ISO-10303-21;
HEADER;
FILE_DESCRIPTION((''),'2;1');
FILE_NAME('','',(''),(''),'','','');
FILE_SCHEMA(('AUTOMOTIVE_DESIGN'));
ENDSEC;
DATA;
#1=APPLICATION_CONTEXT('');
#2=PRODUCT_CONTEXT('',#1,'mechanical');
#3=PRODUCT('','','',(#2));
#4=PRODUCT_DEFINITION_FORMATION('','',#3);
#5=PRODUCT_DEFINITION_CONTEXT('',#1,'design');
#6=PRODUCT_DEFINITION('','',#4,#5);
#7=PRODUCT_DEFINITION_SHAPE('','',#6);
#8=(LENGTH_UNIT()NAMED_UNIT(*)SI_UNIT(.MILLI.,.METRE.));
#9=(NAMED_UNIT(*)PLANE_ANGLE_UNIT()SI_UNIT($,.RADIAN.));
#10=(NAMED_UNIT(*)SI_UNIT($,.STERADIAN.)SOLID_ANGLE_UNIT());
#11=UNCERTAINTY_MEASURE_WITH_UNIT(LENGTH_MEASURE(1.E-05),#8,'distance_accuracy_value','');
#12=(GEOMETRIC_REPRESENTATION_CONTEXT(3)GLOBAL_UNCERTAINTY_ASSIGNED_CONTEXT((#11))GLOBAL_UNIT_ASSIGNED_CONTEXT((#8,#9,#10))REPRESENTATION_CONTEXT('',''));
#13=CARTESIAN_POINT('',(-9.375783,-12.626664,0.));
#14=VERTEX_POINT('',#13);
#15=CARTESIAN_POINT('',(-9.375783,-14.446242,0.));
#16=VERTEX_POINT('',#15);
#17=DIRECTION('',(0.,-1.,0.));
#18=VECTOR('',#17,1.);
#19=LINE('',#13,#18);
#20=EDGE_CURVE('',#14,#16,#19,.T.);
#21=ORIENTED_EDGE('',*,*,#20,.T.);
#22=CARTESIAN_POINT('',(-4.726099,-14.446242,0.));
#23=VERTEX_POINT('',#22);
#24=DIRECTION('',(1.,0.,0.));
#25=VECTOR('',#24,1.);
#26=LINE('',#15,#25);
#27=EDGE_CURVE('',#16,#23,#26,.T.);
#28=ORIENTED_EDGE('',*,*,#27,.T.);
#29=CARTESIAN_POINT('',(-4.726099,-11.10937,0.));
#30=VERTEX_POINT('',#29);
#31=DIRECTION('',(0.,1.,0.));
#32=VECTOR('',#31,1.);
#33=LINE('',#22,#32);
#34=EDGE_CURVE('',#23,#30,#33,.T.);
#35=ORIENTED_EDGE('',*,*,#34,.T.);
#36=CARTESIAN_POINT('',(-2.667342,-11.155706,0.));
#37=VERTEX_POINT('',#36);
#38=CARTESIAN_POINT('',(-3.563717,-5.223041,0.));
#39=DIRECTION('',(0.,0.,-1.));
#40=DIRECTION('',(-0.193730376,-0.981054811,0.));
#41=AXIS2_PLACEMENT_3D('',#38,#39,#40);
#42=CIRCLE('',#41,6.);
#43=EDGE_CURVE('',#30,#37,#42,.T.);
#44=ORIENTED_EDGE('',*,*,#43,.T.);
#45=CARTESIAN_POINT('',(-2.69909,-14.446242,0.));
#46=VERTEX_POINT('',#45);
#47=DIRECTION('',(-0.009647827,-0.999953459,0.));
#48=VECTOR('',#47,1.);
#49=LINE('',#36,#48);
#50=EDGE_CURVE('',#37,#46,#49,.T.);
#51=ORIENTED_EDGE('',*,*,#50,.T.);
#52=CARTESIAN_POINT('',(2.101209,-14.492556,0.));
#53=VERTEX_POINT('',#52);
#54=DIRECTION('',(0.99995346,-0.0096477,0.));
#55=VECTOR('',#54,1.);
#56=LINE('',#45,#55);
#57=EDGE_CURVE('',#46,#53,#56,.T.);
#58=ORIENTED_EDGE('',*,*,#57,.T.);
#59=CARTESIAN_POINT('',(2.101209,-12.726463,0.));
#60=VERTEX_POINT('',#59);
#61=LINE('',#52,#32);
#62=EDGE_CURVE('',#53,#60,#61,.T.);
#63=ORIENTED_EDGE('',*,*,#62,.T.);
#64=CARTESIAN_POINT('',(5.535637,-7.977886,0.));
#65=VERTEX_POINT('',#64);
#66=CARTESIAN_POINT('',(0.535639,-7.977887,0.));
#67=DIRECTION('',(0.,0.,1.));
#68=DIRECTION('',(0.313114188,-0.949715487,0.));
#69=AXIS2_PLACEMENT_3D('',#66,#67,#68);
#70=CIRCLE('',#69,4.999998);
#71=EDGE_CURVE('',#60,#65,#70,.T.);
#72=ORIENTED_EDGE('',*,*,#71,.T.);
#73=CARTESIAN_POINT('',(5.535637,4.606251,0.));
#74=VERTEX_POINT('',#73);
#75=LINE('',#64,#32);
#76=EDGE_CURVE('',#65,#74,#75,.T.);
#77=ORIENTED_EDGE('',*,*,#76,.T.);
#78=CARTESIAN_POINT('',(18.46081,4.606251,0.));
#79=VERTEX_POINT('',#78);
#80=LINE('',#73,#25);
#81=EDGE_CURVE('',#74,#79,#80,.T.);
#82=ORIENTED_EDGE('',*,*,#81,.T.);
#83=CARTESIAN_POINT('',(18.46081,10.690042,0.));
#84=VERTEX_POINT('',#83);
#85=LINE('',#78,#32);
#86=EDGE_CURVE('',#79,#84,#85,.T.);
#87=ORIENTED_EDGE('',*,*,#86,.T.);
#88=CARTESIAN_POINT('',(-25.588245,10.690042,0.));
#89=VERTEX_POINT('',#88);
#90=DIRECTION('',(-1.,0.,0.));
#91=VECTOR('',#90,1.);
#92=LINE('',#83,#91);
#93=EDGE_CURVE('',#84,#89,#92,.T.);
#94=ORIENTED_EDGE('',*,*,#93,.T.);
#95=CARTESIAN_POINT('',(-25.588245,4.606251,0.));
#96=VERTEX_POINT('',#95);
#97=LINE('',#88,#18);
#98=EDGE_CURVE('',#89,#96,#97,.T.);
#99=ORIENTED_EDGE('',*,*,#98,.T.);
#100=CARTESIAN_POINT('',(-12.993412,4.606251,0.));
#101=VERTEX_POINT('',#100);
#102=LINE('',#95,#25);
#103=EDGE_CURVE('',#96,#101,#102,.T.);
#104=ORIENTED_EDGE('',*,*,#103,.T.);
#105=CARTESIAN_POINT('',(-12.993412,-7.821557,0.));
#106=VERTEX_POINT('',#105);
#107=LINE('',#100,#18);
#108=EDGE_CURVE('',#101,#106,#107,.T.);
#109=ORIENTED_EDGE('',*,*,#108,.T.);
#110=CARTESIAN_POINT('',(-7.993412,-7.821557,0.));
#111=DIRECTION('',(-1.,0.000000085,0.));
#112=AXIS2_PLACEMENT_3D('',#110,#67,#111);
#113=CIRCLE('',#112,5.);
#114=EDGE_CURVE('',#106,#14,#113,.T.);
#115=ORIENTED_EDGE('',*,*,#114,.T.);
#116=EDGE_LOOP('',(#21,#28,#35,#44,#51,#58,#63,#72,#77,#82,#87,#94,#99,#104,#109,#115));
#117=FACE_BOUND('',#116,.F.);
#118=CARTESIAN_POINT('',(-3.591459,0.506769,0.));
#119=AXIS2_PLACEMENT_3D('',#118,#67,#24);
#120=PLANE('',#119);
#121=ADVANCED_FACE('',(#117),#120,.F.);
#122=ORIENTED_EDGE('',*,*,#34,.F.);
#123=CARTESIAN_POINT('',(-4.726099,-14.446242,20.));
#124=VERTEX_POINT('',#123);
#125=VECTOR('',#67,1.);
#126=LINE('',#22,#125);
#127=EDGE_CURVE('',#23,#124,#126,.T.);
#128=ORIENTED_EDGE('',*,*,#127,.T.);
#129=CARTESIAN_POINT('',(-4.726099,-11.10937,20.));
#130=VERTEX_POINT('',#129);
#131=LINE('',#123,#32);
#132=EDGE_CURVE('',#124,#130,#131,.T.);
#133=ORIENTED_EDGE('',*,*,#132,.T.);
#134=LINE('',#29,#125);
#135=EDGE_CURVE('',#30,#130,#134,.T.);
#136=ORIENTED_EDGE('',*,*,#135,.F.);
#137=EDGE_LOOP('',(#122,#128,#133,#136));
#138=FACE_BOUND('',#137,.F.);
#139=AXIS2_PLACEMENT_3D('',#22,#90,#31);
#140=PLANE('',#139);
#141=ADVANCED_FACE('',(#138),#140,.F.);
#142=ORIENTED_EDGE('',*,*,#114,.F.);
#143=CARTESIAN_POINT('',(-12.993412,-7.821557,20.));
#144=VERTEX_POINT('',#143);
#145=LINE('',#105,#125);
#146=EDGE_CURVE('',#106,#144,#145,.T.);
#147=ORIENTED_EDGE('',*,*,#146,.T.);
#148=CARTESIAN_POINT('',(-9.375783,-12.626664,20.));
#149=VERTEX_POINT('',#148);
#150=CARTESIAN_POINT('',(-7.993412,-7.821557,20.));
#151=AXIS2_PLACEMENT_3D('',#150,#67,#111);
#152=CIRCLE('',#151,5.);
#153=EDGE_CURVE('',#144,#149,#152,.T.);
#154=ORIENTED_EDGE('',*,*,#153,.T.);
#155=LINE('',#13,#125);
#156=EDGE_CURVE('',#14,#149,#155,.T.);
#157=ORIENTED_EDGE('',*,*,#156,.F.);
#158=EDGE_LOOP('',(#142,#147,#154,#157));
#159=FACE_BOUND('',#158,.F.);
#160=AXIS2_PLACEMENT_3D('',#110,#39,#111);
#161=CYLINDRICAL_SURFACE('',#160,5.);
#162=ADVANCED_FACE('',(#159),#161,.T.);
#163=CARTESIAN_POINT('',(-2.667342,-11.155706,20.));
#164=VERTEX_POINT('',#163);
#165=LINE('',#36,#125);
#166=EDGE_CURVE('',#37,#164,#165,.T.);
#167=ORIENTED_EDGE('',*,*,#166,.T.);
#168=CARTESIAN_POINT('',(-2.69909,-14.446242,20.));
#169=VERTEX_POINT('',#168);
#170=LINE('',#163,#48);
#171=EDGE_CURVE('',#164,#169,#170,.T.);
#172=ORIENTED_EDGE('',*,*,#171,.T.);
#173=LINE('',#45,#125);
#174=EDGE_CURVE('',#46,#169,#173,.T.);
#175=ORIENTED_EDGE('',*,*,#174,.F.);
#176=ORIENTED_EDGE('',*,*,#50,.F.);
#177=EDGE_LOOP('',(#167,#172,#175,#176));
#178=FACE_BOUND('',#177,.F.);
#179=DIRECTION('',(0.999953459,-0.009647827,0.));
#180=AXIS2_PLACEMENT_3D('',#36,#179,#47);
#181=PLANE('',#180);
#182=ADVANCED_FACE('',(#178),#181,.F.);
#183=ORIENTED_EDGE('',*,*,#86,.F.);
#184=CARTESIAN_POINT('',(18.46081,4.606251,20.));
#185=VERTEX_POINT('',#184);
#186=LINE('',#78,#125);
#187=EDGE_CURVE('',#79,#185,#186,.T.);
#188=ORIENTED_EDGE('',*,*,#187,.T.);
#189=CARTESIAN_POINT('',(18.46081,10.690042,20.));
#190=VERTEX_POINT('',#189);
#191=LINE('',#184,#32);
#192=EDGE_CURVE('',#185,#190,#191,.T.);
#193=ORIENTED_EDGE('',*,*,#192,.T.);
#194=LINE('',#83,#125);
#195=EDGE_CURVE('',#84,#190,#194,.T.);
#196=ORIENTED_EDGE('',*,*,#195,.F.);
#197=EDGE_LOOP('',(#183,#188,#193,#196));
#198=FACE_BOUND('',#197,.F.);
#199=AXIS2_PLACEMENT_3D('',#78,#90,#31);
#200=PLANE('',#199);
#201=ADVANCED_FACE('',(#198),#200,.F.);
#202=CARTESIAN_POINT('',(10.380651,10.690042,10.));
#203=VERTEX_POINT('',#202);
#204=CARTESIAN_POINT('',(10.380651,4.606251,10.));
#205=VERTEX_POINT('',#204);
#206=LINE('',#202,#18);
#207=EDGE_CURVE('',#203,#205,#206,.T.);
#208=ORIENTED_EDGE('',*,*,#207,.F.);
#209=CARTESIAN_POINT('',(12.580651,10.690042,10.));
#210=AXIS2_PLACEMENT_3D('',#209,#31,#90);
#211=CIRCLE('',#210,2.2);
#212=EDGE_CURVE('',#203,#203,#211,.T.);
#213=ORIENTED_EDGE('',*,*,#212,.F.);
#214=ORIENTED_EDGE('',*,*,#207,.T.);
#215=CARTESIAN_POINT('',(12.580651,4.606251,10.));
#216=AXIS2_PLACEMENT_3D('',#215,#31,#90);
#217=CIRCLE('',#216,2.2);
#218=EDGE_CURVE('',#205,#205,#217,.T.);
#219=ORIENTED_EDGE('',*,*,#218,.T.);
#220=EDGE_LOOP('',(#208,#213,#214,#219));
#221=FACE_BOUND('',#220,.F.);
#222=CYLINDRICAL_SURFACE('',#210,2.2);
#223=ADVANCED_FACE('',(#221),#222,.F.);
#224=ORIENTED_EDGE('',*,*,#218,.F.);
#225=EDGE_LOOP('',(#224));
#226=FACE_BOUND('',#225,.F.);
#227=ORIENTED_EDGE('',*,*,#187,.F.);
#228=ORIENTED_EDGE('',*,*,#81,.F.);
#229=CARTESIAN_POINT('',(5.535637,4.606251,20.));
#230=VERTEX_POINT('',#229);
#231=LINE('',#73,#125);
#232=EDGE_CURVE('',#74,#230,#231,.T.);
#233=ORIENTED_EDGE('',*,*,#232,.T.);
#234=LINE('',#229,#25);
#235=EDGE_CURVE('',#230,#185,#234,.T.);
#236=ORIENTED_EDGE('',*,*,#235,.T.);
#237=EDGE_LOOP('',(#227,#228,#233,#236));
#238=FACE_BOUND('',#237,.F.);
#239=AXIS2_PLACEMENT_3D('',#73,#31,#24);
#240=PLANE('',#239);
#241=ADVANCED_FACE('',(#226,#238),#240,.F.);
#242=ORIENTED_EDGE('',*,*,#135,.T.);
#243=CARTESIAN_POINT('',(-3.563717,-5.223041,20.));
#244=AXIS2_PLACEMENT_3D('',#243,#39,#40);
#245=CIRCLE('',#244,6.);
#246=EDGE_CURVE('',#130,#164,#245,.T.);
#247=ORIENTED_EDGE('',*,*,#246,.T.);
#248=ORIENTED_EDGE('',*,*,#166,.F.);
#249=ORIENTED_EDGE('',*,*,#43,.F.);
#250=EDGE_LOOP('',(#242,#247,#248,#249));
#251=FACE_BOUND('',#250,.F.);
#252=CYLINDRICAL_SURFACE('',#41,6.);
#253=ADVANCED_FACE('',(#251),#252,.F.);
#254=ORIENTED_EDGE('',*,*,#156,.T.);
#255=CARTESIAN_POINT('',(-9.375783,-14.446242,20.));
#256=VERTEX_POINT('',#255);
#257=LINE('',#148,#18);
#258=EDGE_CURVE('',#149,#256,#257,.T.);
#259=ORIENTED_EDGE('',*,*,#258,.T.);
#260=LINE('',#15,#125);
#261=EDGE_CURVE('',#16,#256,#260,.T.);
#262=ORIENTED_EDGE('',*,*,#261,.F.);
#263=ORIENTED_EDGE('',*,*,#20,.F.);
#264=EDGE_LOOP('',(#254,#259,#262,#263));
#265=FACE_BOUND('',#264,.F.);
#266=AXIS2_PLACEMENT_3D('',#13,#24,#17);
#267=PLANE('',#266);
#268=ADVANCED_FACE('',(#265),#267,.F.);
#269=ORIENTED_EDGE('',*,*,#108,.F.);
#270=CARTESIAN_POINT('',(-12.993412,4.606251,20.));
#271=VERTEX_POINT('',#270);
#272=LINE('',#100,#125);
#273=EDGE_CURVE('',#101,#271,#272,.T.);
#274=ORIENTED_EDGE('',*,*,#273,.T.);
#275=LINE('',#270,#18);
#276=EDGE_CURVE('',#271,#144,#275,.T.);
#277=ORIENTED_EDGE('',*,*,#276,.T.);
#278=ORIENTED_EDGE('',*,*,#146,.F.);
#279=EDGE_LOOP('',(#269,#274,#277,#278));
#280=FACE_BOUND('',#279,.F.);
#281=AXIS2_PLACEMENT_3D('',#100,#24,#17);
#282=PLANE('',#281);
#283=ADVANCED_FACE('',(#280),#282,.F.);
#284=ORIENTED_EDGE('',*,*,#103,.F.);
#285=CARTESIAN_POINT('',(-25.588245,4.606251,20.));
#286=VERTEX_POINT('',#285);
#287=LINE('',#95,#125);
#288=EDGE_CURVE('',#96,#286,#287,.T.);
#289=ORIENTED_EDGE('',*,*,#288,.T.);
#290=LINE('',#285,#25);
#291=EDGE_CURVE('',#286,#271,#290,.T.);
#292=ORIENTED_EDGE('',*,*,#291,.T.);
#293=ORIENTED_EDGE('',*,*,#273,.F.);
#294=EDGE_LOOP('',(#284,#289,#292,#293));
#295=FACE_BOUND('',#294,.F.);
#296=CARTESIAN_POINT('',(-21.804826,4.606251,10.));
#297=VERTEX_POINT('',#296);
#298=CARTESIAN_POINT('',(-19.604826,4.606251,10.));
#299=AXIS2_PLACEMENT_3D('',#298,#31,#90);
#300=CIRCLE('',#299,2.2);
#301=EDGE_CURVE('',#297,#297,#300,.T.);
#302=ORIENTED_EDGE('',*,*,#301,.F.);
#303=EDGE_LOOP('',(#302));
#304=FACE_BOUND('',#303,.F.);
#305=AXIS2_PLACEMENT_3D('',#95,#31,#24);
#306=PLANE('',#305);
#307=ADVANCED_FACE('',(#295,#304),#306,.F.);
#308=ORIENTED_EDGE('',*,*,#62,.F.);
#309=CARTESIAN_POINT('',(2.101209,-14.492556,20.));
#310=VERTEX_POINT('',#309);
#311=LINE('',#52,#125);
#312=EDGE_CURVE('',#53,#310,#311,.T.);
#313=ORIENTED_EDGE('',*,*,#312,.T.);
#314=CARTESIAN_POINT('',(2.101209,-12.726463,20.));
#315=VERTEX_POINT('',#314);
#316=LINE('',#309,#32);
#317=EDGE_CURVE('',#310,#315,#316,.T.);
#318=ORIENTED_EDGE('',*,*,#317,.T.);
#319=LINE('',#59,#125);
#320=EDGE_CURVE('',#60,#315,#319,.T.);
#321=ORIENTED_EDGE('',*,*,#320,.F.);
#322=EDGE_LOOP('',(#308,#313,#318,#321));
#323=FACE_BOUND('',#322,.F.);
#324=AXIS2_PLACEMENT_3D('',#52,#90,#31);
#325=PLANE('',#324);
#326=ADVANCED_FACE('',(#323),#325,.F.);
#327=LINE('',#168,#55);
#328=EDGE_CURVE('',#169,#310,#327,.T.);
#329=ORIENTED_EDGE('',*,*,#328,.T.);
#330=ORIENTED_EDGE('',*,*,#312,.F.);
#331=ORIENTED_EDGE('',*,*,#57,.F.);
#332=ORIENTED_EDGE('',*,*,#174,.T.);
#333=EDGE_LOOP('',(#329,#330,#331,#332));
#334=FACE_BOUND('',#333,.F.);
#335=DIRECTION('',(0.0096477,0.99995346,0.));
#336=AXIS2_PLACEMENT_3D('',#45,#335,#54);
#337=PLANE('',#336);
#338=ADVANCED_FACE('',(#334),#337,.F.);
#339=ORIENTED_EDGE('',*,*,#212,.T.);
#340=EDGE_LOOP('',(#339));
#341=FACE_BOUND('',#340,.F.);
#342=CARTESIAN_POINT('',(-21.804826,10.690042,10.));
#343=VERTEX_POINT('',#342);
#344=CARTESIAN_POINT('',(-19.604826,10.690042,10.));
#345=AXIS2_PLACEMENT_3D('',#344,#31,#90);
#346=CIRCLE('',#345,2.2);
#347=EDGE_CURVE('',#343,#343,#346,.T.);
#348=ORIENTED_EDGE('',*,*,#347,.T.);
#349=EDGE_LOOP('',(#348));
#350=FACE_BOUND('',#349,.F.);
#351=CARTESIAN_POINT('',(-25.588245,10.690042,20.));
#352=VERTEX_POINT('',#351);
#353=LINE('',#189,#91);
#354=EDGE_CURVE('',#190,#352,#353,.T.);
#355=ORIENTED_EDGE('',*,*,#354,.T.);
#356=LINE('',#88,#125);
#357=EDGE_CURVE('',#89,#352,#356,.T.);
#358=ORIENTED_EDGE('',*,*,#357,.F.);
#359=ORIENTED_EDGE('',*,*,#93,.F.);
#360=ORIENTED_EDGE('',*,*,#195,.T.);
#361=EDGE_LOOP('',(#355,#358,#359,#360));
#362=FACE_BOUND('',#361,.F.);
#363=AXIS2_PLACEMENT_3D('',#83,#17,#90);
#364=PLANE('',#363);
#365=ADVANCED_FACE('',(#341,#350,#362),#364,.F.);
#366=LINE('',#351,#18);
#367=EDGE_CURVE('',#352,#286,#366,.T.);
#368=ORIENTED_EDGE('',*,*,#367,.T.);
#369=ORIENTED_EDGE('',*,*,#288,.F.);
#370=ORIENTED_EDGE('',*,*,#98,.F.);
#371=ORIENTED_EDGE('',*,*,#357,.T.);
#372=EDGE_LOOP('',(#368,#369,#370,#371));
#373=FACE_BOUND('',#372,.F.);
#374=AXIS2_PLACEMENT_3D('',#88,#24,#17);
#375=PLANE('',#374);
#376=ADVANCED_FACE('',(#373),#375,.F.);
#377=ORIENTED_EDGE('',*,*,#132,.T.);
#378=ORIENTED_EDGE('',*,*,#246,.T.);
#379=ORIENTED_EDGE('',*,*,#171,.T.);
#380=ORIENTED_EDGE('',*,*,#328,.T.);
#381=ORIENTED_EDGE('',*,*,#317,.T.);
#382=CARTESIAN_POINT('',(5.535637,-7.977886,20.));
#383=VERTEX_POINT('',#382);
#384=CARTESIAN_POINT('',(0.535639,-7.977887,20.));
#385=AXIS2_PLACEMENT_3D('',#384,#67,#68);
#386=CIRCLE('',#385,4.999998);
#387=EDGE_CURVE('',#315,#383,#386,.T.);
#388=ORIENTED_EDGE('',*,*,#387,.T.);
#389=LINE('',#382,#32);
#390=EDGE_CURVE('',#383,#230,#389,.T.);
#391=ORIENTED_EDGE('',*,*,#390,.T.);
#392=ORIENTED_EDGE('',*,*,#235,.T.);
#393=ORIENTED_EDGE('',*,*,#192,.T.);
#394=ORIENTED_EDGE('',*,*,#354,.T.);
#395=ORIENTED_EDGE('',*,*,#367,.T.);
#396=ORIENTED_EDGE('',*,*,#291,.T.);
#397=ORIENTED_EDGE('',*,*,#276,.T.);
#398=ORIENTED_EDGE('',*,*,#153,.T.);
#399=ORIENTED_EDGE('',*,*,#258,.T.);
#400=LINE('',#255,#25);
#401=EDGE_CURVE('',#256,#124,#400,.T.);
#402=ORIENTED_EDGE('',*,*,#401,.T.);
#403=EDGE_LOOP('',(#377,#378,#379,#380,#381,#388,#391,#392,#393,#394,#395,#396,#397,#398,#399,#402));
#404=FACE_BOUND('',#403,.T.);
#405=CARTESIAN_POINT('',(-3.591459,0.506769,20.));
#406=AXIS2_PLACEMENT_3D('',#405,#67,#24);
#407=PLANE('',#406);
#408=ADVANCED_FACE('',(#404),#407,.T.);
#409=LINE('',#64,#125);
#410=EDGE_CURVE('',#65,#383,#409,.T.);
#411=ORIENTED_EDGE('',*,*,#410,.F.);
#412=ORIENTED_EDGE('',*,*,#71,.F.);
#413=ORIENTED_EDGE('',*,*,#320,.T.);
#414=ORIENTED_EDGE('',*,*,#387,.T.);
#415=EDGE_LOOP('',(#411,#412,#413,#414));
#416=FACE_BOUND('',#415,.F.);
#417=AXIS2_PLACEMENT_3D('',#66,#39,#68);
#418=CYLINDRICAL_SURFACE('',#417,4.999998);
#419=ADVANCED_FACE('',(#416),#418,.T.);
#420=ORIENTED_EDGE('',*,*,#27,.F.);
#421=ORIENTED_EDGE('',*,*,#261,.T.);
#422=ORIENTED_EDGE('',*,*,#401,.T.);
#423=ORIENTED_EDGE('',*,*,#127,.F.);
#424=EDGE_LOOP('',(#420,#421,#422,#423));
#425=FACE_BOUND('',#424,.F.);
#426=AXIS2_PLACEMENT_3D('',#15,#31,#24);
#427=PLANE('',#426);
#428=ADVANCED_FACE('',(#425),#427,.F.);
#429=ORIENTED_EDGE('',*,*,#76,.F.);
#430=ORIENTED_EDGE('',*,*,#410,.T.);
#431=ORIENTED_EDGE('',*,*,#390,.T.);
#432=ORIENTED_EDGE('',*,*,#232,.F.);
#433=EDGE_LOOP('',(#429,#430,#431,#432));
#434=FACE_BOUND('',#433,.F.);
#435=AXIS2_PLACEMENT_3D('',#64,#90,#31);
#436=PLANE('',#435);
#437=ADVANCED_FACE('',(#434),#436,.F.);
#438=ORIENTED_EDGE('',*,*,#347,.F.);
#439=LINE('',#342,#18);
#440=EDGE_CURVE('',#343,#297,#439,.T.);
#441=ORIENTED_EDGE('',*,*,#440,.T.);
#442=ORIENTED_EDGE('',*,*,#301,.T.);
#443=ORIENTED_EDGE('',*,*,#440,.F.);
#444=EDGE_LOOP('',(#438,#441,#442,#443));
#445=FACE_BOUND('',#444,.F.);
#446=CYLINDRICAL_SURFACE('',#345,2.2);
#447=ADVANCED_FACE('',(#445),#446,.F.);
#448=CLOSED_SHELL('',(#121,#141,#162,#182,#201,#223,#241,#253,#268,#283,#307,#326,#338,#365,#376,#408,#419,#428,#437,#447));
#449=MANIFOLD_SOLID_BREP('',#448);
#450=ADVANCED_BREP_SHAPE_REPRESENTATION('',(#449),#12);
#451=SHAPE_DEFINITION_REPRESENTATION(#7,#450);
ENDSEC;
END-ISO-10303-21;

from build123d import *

# Parameters (mm, degrees)
F1_DEPTH = 20
F2_R     = 2.2
F3_DEPTH = 25


with BuildPart() as f1:
    # F0 (on Top) → F1 (new body)
    with BuildSketch(Plane.XY):
        with BuildLine():
            Line((18.46081, 10.690042), (-25.588245, 10.690042))
            Line((-25.588245, 10.690042), (-25.588245, 4.606251))
            Line((-25.588245, 4.606251), (-12.993412, 4.606251))
            Line((-12.993412, 4.606251), (-12.993412, -7.821557))
            ThreePointArc((-12.993412, -7.821557), (-11.987899, -10.828894), (-9.375783, -12.626664))
            Line((-9.375783, -12.626664), (-9.375783, -14.446242))
            Line((-9.375783, -14.446242), (-4.726099, -14.446242))
            Line((-4.726099, -14.446242), (-4.726099, -11.10937))
            ThreePointArc((-4.726099, -11.10937), (-3.428711, 0.77544), (-2.667342, -11.155706))
            Line((-2.667342, -11.155706), (-2.69909, -14.446242))
            Line((-2.69909, -14.446242), (2.101209, -14.492556))
            Line((2.101209, -14.492556), (2.101209, -12.726463))
            ThreePointArc((2.101209, -12.726463), (4.587048, -10.908086), (5.535637, -7.977886))
            Line((5.535637, -7.977886), (5.535637, 4.606251))
            Line((5.535637, 4.606251), (18.46081, 4.606251))
            Line((18.46081, 4.606251), (18.46081, 10.690042))
        make_face()
    extrude(amount=F1_DEPTH)

    # F2 (on face) → F3 (cut)
    with BuildSketch(Plane(origin=(0, 10.690042, 0), x_dir=(-1, 0, 0), z_dir=(0, 1, 0))):
        with Locations((-12.580651, 10)):
            Circle(F2_R)
        with Locations((19.604826, 10)):
            Circle(F2_R)
    extrude(amount=-F3_DEPTH, mode=Mode.SUBTRACT)


solid = f1.part
